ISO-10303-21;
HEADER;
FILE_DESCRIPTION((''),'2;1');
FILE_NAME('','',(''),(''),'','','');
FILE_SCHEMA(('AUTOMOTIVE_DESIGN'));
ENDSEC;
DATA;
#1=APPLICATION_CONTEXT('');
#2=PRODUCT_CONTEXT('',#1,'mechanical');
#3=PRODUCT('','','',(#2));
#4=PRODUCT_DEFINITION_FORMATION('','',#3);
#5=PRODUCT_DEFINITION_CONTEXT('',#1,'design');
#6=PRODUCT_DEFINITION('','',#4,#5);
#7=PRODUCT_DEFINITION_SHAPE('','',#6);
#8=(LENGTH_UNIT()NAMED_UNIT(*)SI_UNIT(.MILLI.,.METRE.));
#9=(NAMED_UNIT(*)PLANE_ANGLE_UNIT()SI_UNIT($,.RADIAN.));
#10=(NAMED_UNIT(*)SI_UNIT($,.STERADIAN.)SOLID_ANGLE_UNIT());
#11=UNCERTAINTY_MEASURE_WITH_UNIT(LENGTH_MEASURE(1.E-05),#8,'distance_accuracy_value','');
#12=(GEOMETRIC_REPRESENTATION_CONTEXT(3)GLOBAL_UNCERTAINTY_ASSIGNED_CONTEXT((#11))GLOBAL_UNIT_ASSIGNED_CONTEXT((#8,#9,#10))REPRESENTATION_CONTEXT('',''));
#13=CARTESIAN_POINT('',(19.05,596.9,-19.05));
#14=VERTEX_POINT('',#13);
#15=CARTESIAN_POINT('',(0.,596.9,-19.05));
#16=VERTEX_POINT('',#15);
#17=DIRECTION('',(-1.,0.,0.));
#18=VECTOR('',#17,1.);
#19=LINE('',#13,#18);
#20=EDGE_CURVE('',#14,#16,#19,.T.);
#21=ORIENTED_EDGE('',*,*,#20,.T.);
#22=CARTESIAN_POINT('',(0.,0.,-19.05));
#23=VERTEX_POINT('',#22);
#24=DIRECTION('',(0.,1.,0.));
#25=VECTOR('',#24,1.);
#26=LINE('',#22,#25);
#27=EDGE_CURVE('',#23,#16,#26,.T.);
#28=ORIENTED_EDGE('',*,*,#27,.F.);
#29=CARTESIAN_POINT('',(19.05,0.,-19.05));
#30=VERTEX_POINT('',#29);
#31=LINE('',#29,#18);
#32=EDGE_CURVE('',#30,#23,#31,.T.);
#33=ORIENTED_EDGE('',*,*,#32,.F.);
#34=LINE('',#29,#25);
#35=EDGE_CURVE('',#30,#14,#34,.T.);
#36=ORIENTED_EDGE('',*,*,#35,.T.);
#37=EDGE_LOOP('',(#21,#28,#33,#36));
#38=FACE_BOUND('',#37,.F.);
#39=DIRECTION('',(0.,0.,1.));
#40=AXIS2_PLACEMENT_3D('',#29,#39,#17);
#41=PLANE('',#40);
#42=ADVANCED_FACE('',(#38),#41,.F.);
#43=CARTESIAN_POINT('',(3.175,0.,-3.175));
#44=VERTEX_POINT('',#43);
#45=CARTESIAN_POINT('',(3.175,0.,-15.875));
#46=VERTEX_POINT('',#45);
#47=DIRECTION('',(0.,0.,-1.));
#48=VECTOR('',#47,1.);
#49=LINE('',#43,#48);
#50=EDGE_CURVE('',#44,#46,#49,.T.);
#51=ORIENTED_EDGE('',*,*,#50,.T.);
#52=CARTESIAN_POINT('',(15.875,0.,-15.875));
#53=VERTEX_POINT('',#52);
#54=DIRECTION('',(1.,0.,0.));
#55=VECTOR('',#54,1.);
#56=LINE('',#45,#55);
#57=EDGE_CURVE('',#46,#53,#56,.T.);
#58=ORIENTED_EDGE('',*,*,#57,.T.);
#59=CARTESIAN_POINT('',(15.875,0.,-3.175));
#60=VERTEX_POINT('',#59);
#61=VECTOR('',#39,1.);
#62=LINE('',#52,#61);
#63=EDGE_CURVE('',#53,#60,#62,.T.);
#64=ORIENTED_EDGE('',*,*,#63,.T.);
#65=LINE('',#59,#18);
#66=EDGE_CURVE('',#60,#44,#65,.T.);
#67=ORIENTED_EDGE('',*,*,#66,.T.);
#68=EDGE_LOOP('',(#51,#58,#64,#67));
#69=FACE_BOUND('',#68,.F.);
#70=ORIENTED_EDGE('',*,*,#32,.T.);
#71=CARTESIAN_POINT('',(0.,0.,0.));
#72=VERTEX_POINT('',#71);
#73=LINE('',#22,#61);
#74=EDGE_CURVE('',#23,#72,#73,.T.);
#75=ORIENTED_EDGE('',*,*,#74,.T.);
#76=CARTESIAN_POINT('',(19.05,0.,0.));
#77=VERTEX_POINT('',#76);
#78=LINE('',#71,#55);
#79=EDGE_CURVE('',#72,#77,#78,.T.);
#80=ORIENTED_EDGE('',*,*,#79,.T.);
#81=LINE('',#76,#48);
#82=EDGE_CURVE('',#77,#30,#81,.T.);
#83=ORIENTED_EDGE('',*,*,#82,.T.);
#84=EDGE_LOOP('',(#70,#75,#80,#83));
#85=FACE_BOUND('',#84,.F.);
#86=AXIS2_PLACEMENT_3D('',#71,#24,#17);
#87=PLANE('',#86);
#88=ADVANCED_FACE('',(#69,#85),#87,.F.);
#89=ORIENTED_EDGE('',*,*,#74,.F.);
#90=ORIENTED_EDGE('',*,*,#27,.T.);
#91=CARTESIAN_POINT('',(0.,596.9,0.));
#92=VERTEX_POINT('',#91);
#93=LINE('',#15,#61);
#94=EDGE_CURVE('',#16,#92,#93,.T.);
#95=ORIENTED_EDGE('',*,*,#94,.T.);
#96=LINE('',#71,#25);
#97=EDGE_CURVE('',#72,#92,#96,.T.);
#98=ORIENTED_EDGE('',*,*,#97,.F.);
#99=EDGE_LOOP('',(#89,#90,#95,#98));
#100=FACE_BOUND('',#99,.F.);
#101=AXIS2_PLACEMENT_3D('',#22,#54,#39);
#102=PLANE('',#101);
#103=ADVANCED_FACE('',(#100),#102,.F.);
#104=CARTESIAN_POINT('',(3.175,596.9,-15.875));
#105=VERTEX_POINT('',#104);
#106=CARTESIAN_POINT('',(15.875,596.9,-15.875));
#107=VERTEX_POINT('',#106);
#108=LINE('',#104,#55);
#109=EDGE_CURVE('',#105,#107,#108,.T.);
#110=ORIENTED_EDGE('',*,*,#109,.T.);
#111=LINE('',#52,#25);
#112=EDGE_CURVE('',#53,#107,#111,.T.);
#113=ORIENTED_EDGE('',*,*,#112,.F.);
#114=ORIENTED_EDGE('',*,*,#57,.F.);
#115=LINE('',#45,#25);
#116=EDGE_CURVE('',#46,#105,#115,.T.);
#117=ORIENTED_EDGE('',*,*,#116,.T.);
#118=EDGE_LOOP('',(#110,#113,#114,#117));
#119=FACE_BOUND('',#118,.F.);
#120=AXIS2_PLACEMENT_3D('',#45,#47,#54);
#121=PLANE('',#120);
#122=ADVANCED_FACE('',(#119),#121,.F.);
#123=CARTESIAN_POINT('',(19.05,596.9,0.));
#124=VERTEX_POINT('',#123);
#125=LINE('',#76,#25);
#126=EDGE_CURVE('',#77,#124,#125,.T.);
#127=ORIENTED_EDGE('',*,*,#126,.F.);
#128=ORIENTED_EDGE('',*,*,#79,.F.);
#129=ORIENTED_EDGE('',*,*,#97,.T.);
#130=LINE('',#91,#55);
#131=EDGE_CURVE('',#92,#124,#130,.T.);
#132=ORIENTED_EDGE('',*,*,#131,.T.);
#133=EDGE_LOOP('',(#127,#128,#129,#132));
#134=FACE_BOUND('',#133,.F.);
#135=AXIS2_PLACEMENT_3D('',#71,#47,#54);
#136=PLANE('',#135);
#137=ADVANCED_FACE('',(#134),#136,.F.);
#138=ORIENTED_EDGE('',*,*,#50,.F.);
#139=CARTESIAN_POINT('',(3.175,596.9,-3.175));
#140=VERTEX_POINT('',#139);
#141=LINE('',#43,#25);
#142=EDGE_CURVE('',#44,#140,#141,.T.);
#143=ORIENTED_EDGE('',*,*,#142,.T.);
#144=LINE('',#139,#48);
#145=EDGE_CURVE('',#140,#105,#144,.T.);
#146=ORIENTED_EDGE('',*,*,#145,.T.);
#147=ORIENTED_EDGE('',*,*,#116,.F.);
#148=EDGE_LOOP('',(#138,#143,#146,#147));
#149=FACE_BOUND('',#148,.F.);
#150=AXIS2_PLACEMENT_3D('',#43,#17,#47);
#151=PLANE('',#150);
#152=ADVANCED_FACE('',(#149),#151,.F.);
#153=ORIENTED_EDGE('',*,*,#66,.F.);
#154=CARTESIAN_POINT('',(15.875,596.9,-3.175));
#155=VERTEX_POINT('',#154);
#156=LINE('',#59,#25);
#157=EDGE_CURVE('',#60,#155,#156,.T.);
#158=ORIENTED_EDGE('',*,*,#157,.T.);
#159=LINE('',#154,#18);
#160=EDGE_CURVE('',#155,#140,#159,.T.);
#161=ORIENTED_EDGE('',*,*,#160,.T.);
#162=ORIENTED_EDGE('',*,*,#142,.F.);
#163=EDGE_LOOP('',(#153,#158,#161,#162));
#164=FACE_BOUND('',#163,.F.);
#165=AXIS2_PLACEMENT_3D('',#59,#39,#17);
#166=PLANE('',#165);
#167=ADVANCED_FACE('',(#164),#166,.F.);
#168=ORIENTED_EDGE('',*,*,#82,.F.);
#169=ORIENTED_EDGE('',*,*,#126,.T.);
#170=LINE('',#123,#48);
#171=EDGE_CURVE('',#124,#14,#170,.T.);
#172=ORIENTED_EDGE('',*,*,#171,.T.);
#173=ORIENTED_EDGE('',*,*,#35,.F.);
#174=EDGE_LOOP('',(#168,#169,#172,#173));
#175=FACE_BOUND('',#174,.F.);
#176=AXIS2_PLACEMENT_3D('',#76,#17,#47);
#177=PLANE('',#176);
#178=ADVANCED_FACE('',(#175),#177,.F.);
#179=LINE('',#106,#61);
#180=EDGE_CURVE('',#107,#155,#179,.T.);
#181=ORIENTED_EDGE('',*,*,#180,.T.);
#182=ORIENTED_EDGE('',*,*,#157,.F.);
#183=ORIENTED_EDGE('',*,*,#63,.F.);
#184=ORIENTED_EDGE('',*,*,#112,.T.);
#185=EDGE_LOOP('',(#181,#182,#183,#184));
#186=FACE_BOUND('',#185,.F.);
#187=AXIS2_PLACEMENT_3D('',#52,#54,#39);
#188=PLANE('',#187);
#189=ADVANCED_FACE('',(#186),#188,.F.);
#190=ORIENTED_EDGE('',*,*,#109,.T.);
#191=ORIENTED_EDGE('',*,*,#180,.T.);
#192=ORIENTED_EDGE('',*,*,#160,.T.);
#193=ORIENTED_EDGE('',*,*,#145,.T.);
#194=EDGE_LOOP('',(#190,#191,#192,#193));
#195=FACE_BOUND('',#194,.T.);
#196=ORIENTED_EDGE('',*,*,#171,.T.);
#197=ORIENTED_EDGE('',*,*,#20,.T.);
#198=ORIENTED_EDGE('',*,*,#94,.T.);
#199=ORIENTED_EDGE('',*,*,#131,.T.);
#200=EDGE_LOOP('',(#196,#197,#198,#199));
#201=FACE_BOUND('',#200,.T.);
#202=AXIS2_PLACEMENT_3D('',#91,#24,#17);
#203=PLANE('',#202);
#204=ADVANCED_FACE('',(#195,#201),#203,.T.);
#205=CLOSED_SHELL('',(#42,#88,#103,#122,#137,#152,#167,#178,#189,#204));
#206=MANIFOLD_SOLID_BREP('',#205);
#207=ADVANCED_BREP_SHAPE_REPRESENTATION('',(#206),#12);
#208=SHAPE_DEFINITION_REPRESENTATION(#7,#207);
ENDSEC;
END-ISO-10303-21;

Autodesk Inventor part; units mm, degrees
ref_plane "YZ Plane" through (0, 0, 0) normal (1, 0, 0) x (0, 1, 0)
ref_plane "XZ Plane" through (0, 0, 0) normal (0, 1, 0) x (-1, 0, 0)
ref_plane "XY Plane" through (0, 0, 0) normal (0, 0, 1) x (1, 0, 0)
sketch "Sketch1" plane through (0, 0, 0) normal (0, 1, 0) x (-1, 0, 0)
  line L0 (0, 0) -> (-19.05, 0)
  line L1 (-19.05, 0) -> (-19.05, -19.05)
  line L2 (-19.05, -19.05) -> (0, -19.05)
  line L3 (0, -19.05) -> (0, 0)
  line L4 (-3.175, -15.875) -> (-15.875, -15.875)
  line L5 (-15.875, -15.875) -> (-15.875, -3.175)
  line L6 (-15.875, -3.175) -> (-3.175, -3.175)
  line L7 (-3.175, -3.175) -> (-3.175, -15.875)
  dimension "d0" = 19.05
  dimension "d1" = 19.05
  dimension "d2" = 3.175
extrude "Extrusion1" add sketch "Sketch1" along normal blind 596.9
properties part number "Chasis Long Length top" material "Aluminum 6061"
